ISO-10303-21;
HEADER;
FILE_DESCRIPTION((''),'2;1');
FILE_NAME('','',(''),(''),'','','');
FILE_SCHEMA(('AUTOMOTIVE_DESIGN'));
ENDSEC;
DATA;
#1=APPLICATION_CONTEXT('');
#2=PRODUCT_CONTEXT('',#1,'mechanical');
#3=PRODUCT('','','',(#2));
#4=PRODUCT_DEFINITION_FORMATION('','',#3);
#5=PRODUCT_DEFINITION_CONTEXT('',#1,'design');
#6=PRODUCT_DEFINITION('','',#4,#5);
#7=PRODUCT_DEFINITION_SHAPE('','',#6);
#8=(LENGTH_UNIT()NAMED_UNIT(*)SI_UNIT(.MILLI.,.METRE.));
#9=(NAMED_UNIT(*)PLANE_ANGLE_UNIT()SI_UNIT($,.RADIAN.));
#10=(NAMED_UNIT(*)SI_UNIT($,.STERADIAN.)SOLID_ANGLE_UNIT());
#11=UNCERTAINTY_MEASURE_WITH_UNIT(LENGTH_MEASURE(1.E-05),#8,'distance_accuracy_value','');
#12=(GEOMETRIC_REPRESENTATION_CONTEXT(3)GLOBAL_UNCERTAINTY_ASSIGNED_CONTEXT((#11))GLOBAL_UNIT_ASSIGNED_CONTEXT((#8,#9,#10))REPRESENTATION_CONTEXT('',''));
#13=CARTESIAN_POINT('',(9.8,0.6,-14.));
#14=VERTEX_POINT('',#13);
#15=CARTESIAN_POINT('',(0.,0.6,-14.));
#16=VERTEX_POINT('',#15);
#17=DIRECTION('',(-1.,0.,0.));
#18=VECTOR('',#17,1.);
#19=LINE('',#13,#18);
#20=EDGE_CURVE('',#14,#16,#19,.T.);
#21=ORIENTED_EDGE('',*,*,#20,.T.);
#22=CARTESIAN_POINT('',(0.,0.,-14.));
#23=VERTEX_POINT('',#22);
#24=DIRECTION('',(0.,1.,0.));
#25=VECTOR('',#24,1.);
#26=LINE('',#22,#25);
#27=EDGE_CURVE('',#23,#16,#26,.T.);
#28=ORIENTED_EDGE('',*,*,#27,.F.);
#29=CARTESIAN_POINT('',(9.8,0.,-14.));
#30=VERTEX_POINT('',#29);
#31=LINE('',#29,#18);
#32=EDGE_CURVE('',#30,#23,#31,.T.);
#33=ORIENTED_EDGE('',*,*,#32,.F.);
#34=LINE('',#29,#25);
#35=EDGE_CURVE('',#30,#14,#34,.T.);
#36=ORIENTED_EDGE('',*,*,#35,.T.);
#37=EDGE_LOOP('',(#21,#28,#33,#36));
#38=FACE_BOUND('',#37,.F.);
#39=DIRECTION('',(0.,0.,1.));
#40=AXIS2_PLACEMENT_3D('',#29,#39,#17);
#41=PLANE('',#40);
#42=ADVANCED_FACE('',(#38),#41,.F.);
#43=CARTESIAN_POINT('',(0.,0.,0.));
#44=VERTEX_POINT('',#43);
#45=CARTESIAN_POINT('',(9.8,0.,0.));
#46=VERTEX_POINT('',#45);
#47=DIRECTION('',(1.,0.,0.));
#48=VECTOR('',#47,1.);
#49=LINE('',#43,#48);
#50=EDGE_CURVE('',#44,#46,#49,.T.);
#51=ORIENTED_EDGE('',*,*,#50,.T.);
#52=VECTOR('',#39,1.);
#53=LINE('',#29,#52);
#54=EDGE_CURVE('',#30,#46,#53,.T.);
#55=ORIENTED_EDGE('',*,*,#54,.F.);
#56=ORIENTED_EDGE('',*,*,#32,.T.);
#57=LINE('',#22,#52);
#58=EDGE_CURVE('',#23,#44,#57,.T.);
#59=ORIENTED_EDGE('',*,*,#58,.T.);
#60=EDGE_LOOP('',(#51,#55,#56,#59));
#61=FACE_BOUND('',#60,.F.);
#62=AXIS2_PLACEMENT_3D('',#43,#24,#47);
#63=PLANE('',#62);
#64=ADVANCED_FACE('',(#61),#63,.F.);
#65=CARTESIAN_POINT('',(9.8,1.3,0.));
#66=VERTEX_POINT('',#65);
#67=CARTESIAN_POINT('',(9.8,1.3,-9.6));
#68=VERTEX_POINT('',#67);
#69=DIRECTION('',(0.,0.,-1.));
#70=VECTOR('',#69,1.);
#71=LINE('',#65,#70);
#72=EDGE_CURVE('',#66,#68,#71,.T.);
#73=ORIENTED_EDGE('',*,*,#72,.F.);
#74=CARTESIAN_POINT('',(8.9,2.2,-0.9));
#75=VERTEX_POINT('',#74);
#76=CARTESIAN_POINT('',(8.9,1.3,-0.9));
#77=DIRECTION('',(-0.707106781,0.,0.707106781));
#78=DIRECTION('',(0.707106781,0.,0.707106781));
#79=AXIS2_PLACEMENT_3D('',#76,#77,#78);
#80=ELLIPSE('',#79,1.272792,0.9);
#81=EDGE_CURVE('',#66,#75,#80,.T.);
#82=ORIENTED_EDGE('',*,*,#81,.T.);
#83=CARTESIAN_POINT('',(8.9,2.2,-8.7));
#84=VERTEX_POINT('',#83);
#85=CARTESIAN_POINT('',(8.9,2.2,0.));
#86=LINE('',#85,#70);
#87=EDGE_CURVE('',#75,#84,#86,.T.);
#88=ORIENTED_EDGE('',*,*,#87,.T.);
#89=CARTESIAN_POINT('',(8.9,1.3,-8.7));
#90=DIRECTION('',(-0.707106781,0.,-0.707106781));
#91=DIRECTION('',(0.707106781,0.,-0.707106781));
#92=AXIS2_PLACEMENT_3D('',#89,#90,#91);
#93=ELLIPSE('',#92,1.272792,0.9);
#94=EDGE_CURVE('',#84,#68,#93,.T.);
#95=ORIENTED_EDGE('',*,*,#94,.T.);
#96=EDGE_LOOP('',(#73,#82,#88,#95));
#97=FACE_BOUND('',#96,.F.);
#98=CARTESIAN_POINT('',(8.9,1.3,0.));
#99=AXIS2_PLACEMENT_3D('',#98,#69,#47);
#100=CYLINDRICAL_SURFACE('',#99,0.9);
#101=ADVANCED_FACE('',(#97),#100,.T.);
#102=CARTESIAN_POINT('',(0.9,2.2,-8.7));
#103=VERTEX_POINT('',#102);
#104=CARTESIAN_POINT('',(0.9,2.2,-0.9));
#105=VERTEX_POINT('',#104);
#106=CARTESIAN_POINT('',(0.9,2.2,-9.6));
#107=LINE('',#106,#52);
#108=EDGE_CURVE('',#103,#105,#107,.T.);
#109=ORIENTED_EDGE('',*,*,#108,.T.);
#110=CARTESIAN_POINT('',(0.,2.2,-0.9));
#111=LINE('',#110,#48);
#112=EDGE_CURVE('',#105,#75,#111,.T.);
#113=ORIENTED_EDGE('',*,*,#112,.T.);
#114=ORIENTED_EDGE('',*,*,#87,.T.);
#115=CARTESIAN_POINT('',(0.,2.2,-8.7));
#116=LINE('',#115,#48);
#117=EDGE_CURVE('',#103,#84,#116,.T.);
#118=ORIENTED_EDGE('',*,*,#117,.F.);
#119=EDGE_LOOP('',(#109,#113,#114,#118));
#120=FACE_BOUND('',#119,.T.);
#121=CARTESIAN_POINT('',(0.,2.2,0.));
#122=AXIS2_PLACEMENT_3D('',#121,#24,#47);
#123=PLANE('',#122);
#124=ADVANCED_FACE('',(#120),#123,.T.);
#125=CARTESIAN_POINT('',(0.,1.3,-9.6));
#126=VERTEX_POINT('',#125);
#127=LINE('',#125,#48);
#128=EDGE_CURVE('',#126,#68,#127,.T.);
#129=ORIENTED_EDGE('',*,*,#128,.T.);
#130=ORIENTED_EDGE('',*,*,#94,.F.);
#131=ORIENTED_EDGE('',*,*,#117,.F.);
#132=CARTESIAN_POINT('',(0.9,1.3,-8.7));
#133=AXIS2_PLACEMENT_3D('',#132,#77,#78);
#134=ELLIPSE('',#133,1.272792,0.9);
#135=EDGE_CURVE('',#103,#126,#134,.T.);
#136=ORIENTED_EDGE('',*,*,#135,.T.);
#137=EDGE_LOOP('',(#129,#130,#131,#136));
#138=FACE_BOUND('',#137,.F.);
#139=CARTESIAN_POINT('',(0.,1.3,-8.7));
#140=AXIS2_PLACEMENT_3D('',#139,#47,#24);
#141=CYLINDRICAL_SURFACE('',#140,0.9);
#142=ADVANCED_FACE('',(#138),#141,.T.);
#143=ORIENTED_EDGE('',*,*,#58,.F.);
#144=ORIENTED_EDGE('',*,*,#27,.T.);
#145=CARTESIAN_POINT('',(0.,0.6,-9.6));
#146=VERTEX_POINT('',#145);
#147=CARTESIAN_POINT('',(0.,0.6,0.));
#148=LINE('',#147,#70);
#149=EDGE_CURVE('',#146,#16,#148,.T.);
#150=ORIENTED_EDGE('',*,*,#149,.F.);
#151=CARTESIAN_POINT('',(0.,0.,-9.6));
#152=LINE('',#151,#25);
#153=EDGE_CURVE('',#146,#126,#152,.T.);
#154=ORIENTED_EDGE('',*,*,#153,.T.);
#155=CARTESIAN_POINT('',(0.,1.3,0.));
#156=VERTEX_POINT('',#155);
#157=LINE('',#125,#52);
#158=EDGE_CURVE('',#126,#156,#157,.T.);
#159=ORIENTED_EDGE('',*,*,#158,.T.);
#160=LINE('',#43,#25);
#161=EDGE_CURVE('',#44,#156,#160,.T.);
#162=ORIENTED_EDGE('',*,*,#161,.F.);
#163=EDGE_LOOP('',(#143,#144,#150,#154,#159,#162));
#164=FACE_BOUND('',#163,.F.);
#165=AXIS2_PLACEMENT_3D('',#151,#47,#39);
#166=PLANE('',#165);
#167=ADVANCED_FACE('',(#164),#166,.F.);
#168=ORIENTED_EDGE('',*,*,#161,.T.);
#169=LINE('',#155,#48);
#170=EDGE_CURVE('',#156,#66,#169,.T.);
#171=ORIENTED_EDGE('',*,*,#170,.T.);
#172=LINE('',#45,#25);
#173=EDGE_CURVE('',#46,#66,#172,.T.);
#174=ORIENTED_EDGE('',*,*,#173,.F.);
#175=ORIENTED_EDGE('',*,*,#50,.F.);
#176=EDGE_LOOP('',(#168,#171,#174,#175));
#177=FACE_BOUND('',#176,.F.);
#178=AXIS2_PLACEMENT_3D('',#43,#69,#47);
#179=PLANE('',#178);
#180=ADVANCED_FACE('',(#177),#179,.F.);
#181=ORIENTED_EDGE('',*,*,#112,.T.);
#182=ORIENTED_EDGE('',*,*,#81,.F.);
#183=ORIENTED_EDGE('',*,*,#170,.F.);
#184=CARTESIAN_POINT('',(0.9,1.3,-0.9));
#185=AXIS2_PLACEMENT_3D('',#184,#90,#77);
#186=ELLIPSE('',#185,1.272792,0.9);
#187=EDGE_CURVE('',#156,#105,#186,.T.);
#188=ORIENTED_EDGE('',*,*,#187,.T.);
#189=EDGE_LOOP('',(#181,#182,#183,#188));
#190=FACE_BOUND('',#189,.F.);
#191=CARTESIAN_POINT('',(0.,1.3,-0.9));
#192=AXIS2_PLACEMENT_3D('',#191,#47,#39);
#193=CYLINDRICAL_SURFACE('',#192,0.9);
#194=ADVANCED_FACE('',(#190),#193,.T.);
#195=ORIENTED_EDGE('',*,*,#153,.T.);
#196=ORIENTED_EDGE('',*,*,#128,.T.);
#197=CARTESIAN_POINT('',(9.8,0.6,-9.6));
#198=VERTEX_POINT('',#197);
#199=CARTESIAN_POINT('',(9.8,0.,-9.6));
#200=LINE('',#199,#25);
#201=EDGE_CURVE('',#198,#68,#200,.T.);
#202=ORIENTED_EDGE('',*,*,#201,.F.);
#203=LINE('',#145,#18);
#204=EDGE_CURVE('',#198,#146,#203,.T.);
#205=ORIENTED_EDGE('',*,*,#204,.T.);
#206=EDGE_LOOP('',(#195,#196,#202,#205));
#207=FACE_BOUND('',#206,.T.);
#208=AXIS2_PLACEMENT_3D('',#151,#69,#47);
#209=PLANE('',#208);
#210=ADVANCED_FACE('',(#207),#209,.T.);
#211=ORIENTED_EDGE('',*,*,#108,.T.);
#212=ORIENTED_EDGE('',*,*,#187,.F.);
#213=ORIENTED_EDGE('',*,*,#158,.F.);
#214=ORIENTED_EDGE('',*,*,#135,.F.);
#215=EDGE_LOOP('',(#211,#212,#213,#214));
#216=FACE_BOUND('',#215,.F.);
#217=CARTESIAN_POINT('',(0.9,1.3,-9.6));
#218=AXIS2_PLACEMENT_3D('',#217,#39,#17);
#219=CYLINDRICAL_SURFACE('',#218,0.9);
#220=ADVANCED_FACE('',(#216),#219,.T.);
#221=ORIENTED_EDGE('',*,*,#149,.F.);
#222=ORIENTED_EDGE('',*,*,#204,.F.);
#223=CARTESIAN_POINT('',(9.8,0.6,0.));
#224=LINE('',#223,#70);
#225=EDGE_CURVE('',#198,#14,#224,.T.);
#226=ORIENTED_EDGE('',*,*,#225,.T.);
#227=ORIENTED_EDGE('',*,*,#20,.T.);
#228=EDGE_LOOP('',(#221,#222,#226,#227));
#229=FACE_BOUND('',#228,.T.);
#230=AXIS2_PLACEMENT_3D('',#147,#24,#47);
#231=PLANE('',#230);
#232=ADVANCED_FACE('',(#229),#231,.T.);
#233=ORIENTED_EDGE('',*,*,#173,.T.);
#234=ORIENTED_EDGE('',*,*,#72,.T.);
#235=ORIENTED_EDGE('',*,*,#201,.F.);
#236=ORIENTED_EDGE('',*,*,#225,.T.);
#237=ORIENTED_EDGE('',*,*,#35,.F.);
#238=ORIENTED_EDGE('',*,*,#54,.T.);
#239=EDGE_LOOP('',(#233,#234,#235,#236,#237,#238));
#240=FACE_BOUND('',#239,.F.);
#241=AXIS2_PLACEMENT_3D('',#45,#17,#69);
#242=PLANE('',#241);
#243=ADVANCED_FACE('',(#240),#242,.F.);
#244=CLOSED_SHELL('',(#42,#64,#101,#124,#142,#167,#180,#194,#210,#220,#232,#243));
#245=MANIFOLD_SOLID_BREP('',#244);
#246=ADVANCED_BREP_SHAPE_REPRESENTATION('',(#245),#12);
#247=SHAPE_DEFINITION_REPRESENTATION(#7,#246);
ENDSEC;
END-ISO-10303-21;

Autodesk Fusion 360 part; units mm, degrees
sketch "Sketch1" plane through (0, 0, 0) normal (0, 1, 0) x (1, 0, 0)
  line L0 (0, 0) -> (9.8, 0)
  line L1 (9.8, 0) -> (9.8, 14)
  line L2 (9.8, 14) -> (0, 14)
  line L3 (0, 14) -> (0, 0)
  line L4 (0, 9.6) -> (9.8, 9.6)
  dimension "d1" = 9.8
  dimension "d2" = 14
  dimension "d3" = 9.6
extrude "Extrude1" add sketch "Sketch1" along normal blind 0.6
extrude "Extrude2" add sketch "Sketch1" along normal blind 2.2 contours L0 L1 L3 L4
fillet "Fillet1" radius 0.9 4 edges at (4.9, 2.2, -9.6) (0, 2.2, -4.8) (4.9, 2.2, 0) (9.8, 2.2, -4.8)
